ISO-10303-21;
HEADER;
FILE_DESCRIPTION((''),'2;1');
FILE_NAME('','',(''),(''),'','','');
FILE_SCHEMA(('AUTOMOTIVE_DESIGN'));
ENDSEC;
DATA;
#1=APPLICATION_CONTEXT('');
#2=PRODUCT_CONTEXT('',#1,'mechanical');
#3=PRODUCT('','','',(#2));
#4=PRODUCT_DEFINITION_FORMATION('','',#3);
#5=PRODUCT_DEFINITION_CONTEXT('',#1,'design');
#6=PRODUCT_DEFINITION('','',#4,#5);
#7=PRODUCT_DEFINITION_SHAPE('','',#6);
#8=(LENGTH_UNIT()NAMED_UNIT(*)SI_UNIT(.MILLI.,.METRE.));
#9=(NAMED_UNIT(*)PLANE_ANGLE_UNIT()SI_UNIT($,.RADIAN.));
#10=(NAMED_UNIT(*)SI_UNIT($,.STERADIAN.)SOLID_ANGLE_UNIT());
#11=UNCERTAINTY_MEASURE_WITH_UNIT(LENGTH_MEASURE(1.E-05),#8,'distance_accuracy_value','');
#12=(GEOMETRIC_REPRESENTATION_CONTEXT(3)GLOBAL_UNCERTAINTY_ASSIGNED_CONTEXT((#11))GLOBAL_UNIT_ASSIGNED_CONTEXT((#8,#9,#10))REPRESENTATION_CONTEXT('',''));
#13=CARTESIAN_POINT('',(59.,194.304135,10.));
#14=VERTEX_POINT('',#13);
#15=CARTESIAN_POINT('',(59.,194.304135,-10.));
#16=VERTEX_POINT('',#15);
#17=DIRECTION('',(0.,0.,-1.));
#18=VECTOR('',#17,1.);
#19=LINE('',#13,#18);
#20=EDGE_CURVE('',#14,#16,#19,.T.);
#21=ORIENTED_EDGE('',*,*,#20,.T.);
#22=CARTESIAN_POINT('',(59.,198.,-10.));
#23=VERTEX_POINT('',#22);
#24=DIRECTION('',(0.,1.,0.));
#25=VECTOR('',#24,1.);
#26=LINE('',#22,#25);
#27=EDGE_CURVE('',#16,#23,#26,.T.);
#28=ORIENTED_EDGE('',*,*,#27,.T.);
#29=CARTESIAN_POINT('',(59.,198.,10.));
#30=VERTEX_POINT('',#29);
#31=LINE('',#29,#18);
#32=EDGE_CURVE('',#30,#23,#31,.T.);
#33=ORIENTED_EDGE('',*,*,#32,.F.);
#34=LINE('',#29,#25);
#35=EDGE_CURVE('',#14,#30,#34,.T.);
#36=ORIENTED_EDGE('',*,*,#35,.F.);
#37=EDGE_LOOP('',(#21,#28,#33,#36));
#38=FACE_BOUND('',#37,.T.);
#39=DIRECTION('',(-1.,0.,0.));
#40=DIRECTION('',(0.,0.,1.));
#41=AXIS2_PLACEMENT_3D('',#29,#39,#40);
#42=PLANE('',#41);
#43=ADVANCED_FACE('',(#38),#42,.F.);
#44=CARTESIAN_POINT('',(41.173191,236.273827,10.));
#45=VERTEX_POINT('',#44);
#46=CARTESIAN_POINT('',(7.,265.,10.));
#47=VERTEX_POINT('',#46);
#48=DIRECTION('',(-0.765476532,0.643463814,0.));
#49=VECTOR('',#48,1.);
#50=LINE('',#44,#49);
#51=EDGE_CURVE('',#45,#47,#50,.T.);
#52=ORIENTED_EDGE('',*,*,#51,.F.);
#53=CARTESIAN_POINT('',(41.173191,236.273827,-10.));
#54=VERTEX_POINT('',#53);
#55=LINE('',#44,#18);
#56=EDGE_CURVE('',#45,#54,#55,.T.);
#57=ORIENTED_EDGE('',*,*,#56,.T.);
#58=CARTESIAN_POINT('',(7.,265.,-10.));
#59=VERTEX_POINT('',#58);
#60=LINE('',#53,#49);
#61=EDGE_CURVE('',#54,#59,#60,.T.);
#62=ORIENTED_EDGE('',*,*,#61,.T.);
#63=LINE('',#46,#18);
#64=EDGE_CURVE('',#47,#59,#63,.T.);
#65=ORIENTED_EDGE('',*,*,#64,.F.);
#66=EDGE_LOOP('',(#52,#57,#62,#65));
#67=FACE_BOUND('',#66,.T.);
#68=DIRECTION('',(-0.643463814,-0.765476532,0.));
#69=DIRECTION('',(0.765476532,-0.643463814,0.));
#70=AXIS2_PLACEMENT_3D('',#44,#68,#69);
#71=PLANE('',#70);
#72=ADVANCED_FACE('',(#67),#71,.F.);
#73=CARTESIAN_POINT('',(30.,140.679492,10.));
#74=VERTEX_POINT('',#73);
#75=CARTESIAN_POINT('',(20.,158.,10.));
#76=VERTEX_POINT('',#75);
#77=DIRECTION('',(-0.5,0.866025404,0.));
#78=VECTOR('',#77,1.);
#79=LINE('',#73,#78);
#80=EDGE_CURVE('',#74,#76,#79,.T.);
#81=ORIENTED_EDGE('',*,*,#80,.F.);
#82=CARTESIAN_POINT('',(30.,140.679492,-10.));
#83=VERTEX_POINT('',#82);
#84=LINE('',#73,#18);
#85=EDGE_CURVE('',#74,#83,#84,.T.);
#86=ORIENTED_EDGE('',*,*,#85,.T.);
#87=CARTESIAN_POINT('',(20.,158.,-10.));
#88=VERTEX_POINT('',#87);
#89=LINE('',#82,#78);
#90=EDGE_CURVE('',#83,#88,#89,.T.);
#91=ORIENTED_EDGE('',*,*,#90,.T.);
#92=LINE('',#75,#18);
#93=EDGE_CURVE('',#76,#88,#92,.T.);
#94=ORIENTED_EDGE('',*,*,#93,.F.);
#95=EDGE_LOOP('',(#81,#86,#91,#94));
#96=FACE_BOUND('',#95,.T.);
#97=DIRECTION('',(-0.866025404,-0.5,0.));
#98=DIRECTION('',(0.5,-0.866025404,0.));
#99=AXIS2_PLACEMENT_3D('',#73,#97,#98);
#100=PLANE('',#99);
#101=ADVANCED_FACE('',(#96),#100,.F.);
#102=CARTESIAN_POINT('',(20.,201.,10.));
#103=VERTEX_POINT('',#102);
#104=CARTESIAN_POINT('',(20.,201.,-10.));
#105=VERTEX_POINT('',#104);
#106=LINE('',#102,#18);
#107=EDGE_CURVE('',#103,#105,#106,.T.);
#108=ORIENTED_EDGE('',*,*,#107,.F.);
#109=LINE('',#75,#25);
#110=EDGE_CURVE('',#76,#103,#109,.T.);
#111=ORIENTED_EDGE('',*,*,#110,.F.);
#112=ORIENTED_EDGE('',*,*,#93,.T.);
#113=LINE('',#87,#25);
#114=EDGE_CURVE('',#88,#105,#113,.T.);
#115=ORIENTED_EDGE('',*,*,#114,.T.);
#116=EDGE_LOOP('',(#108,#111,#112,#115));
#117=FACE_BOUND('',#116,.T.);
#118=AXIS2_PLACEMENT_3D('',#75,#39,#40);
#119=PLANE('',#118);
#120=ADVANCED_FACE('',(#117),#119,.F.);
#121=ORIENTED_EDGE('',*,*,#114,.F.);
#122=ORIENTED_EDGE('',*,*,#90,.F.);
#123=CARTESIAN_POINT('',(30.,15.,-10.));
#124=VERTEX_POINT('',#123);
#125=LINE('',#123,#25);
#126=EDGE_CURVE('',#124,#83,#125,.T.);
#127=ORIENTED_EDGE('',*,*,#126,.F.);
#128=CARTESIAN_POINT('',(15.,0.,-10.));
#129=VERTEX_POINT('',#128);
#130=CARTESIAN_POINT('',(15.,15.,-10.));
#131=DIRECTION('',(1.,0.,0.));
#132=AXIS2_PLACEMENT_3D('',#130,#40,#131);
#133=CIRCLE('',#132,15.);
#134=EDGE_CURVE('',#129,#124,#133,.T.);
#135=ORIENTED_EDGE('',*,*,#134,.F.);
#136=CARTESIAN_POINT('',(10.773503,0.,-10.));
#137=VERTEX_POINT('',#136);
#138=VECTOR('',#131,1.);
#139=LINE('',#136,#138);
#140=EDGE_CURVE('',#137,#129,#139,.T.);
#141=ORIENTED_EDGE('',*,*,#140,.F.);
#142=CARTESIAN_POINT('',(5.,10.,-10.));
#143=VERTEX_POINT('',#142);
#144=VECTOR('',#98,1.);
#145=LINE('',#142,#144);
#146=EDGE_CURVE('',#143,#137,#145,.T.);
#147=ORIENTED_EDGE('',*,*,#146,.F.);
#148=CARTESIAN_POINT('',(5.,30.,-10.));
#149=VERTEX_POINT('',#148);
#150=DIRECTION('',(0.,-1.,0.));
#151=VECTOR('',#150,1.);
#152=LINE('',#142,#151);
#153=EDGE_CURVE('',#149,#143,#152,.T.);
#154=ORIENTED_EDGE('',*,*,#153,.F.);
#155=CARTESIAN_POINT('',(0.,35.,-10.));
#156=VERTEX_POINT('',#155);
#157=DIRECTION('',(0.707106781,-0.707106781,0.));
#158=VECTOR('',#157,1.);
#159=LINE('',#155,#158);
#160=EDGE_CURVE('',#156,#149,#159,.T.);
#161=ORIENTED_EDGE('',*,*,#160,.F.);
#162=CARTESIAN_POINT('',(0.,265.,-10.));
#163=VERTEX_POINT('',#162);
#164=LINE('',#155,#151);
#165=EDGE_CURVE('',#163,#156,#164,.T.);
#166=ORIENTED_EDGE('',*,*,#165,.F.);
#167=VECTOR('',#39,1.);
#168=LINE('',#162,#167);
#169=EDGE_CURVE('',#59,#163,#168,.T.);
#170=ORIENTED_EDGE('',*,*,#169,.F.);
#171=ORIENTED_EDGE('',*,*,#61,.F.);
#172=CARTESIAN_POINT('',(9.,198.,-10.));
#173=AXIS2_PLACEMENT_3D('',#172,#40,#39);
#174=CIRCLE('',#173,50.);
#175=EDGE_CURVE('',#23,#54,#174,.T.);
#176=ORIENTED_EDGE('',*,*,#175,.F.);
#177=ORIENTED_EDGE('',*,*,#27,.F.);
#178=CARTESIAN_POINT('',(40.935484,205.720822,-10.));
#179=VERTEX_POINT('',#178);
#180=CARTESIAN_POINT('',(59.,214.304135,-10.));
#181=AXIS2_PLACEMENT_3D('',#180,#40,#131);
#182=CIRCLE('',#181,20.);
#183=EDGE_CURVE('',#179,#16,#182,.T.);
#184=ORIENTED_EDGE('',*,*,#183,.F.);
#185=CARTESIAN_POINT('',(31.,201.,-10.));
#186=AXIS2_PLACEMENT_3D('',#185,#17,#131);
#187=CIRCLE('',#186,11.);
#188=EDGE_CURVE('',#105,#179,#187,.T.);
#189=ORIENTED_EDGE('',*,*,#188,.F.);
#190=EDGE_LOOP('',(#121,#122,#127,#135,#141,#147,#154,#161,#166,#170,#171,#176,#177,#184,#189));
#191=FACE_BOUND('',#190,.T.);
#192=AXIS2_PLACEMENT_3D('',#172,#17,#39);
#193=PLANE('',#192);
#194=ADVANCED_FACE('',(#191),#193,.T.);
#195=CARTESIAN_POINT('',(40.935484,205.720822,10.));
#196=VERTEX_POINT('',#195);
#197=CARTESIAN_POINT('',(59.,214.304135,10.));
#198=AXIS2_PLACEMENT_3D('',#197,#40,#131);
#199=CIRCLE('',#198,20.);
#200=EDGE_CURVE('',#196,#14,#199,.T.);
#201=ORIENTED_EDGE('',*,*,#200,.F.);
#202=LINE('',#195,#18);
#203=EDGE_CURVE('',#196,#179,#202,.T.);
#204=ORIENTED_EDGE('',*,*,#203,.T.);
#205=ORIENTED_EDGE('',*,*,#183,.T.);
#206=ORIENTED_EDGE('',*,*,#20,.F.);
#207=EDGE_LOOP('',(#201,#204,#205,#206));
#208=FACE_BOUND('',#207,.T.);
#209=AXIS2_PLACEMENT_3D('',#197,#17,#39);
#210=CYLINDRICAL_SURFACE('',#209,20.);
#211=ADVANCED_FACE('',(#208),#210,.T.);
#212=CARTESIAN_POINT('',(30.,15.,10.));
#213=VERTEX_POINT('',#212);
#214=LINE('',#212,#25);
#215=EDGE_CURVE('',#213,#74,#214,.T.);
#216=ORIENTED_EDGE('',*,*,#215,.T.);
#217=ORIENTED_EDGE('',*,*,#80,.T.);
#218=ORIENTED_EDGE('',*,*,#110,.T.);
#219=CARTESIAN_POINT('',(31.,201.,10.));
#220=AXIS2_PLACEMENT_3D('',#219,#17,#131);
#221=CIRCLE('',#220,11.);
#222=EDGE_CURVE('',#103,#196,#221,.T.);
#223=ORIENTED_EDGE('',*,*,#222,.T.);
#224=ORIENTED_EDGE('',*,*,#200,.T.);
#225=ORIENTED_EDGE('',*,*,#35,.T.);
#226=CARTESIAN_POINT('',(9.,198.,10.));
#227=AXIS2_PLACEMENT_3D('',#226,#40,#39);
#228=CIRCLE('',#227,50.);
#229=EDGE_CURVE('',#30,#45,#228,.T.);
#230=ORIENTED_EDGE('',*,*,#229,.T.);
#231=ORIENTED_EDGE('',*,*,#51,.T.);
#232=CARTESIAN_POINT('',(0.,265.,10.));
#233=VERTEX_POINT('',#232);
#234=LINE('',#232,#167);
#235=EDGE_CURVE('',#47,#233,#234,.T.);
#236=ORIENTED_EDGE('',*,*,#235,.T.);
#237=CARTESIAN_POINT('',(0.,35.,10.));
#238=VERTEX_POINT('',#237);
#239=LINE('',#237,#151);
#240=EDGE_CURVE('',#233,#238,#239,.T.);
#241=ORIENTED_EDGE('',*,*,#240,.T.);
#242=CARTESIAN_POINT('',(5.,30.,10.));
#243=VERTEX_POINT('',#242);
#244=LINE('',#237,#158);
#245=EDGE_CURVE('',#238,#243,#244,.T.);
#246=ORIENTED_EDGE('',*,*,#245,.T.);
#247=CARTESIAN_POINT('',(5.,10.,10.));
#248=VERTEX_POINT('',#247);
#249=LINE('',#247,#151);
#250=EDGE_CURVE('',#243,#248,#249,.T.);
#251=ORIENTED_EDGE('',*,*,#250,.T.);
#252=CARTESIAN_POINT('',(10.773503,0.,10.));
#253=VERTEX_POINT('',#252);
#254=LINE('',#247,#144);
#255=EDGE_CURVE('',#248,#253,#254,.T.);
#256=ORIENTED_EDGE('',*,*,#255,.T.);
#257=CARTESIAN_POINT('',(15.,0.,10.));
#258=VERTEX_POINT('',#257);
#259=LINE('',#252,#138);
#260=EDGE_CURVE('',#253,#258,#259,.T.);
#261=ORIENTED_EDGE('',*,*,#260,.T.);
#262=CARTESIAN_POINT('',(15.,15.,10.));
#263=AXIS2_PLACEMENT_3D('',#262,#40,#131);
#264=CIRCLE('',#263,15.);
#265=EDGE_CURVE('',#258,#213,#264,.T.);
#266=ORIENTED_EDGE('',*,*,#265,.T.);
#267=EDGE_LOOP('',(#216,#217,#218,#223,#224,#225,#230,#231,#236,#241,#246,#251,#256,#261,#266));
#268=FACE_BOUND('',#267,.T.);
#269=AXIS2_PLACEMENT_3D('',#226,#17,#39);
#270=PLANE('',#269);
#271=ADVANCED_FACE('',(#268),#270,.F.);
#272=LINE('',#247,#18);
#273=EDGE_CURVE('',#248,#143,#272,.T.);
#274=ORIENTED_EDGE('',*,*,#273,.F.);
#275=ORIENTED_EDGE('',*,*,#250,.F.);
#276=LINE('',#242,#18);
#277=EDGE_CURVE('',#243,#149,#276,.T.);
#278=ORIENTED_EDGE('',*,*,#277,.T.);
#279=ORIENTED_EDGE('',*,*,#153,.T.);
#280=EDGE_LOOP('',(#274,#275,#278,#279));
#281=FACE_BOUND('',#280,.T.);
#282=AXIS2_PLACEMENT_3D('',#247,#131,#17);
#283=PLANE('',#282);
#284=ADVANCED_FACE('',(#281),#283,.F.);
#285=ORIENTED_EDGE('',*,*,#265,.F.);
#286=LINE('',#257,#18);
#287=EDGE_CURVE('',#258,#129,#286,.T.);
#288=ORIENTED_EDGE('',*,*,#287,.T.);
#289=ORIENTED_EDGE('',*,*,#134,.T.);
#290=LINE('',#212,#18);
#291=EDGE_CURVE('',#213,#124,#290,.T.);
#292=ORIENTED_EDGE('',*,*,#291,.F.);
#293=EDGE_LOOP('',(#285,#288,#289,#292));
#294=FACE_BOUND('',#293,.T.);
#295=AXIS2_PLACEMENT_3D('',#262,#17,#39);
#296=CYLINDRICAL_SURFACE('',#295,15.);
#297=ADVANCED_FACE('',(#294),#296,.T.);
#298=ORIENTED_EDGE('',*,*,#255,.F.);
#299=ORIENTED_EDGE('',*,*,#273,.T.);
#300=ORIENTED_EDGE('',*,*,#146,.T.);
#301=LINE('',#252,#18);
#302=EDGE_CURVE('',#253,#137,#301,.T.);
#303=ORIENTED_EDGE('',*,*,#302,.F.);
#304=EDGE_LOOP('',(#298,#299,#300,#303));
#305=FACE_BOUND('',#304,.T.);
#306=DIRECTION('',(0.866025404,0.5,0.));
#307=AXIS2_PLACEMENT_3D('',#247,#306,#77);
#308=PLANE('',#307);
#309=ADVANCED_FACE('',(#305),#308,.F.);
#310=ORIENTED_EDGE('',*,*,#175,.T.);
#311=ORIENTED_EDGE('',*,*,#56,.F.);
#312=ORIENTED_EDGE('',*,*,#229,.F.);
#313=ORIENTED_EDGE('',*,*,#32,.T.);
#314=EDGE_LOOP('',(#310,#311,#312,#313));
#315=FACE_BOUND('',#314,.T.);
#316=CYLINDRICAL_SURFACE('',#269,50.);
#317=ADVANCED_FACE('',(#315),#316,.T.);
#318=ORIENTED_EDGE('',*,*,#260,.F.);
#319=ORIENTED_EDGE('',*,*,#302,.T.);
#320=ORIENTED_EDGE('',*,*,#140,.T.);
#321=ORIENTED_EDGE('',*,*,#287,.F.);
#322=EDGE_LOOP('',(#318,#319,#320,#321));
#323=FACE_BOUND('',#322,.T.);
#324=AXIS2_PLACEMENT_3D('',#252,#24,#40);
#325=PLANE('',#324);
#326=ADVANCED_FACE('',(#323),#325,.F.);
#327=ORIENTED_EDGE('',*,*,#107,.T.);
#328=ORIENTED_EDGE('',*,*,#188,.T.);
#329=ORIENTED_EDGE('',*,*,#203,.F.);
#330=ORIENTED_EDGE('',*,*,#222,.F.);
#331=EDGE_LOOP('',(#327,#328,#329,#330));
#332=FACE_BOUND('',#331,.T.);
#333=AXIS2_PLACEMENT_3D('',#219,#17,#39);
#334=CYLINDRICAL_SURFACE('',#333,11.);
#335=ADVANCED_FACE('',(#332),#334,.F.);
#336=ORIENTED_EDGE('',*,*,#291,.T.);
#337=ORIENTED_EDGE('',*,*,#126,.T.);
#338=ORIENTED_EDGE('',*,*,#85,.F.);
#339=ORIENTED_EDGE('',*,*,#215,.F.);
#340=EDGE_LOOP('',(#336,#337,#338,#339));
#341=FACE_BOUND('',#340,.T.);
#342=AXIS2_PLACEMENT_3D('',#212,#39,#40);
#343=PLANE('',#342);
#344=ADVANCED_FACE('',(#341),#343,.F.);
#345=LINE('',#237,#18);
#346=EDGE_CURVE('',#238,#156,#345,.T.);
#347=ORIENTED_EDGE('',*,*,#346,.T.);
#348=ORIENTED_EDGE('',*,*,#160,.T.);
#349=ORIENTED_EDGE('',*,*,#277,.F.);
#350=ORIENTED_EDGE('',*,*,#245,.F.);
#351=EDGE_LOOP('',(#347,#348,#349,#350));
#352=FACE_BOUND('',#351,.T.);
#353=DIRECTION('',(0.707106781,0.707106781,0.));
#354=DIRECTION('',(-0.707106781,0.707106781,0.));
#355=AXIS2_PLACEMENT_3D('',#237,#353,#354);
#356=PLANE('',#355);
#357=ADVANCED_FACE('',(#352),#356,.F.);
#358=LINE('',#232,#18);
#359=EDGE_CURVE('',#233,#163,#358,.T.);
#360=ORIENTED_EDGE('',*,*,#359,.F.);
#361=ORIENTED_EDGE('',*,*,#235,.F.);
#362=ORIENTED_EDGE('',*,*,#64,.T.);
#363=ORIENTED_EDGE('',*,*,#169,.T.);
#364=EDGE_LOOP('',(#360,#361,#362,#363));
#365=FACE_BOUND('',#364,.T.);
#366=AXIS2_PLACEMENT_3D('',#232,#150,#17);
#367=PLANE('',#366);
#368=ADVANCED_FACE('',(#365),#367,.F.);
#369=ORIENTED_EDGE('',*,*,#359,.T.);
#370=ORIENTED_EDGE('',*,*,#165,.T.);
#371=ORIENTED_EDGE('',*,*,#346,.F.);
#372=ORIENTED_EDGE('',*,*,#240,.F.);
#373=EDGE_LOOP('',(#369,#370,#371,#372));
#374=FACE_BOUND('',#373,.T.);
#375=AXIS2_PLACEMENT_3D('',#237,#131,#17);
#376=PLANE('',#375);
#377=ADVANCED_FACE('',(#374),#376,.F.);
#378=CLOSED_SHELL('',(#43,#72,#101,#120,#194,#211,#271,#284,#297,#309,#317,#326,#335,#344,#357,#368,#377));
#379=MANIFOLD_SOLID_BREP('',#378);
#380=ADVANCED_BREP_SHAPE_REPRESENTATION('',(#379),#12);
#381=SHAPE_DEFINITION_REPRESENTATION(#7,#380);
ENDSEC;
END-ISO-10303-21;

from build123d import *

# Parameters (mm, degrees)
BOSS_EXTRUDE1_DEPTH = 10


with BuildPart() as part:
    # Sketch1 → Boss-Extrude1 (new, symmetric)
    with BuildSketch(Plane.XY):
        with BuildLine():
            Line((5, 10), (10.773502692, 0))
            Line((10.773502692, 0), (15, 0))
            ThreePointArc((15, 0), (25.606601718, 4.393398282), (30, 15))
            Line((30, 15), (30, 140.679491924))
            Line((30, 140.679491924), (20, 158))
            Line((20, 158), (20, 201))
            ThreePointArc((20, 201), (28.580322602, 211.73057134), (40.935483871, 205.720821989))
            ThreePointArc((40.935483871, 205.720821989), (48.315110065, 197.397534592), (59, 194.304134696))
            Line((59, 194.304134696), (59, 198))
            ThreePointArc((59, 198), (54.324714747, 219.11090318), (41.173190677, 236.273826587))
            Line((41.173190677, 236.273826587), (7, 265))
            Line((7, 265), (0, 265))
            Line((0, 265), (0, 35))
            Line((0, 35), (5, 30))
            Line((5, 30), (5, 10))
        make_face()
    extrude(amount=BOSS_EXTRUDE1_DEPTH, both=True)


solid = part.part
